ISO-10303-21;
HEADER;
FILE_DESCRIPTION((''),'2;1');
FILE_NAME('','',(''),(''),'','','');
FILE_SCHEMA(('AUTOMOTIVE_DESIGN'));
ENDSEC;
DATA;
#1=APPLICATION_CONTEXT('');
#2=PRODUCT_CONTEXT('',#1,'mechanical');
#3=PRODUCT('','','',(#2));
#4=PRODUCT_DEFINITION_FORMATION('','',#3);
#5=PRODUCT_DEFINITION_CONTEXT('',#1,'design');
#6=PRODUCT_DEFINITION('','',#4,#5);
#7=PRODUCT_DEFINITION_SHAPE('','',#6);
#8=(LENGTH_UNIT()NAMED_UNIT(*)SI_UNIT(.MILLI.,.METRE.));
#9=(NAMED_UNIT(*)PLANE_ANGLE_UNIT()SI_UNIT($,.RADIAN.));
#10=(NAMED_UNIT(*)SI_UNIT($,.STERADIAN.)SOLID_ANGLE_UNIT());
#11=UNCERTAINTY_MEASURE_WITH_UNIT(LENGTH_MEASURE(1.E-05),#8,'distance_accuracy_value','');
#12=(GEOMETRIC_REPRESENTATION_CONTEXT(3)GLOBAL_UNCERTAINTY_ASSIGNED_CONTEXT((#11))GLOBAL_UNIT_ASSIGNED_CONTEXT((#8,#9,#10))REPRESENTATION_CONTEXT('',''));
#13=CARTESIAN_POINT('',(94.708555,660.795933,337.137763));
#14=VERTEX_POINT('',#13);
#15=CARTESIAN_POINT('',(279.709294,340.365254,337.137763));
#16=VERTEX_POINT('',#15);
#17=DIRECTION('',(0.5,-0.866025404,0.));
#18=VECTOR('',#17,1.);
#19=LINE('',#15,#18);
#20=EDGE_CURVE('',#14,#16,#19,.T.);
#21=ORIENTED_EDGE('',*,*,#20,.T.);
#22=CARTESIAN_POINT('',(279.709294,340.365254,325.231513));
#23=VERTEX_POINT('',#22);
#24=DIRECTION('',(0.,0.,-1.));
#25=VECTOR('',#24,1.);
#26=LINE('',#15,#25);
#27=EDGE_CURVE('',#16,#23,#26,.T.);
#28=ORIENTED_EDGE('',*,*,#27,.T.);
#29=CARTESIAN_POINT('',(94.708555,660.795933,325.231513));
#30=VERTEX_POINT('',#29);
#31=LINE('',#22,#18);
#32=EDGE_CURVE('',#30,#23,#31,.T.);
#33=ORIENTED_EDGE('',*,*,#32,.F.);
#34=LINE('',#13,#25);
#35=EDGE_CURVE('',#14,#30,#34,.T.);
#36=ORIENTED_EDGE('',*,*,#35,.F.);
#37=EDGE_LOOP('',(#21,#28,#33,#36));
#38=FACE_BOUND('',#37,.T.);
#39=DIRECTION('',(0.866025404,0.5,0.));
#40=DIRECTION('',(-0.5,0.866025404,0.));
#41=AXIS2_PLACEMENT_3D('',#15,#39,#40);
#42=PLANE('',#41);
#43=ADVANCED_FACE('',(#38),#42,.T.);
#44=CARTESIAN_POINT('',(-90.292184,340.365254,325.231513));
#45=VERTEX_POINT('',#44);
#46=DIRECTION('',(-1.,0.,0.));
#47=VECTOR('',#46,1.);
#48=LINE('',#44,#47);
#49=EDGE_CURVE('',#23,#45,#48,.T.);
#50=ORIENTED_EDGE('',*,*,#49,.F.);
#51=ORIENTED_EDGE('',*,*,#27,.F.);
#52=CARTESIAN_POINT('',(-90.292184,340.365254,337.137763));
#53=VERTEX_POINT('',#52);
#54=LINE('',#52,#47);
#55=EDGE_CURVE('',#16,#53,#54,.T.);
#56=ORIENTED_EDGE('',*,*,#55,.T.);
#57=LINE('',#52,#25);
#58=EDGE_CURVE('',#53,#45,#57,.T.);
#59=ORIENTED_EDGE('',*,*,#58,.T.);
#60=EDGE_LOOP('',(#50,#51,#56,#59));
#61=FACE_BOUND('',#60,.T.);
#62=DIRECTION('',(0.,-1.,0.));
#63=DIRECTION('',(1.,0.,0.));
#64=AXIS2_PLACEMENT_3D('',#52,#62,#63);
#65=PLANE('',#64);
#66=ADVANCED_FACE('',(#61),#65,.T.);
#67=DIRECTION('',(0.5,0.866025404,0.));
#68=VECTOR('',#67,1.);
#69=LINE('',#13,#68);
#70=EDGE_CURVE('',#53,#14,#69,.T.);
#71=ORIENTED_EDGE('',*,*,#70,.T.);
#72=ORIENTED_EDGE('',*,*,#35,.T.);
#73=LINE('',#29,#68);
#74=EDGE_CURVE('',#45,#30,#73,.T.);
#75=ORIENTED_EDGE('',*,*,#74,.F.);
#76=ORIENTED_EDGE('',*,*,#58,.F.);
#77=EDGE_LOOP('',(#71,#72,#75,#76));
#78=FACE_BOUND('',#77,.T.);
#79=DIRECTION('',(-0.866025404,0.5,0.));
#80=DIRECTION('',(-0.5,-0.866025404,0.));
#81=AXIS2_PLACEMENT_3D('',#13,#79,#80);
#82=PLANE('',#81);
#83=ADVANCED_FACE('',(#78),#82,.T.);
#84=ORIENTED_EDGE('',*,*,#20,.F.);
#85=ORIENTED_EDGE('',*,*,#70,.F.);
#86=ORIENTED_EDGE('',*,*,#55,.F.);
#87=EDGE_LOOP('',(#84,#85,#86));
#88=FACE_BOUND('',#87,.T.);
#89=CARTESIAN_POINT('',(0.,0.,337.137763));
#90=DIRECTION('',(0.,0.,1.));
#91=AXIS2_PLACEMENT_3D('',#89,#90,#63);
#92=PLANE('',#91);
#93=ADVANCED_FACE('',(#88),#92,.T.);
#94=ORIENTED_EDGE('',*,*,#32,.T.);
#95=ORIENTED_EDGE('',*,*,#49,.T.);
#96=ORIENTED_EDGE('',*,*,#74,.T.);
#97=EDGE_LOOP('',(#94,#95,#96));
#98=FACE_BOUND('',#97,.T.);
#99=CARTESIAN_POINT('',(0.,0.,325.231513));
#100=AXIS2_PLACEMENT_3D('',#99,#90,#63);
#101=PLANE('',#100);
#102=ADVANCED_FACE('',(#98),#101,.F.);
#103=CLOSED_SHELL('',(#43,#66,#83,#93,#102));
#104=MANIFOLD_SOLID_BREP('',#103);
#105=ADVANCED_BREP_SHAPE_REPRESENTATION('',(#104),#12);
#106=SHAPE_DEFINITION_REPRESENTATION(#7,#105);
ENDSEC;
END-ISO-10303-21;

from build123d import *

# Parameters (mm, degrees)
BOSS_EXTRUDE1_DEPTH = 11.90625


with BuildPart() as part:
    # Sketch1 → Boss-Extrude1 (new body)
    with BuildSketch(Plane(origin=(0, 0, 325.23151346), x_dir=(-1, 0, 0), z_dir=(0, 0, -1))):
        Polygon((-279.709293722, 340.36525429), (-94.708555036, 660.795933132), (90.29218365, 340.36525429), align=None)
    extrude(amount=-BOSS_EXTRUDE1_DEPTH)


solid = part.part
